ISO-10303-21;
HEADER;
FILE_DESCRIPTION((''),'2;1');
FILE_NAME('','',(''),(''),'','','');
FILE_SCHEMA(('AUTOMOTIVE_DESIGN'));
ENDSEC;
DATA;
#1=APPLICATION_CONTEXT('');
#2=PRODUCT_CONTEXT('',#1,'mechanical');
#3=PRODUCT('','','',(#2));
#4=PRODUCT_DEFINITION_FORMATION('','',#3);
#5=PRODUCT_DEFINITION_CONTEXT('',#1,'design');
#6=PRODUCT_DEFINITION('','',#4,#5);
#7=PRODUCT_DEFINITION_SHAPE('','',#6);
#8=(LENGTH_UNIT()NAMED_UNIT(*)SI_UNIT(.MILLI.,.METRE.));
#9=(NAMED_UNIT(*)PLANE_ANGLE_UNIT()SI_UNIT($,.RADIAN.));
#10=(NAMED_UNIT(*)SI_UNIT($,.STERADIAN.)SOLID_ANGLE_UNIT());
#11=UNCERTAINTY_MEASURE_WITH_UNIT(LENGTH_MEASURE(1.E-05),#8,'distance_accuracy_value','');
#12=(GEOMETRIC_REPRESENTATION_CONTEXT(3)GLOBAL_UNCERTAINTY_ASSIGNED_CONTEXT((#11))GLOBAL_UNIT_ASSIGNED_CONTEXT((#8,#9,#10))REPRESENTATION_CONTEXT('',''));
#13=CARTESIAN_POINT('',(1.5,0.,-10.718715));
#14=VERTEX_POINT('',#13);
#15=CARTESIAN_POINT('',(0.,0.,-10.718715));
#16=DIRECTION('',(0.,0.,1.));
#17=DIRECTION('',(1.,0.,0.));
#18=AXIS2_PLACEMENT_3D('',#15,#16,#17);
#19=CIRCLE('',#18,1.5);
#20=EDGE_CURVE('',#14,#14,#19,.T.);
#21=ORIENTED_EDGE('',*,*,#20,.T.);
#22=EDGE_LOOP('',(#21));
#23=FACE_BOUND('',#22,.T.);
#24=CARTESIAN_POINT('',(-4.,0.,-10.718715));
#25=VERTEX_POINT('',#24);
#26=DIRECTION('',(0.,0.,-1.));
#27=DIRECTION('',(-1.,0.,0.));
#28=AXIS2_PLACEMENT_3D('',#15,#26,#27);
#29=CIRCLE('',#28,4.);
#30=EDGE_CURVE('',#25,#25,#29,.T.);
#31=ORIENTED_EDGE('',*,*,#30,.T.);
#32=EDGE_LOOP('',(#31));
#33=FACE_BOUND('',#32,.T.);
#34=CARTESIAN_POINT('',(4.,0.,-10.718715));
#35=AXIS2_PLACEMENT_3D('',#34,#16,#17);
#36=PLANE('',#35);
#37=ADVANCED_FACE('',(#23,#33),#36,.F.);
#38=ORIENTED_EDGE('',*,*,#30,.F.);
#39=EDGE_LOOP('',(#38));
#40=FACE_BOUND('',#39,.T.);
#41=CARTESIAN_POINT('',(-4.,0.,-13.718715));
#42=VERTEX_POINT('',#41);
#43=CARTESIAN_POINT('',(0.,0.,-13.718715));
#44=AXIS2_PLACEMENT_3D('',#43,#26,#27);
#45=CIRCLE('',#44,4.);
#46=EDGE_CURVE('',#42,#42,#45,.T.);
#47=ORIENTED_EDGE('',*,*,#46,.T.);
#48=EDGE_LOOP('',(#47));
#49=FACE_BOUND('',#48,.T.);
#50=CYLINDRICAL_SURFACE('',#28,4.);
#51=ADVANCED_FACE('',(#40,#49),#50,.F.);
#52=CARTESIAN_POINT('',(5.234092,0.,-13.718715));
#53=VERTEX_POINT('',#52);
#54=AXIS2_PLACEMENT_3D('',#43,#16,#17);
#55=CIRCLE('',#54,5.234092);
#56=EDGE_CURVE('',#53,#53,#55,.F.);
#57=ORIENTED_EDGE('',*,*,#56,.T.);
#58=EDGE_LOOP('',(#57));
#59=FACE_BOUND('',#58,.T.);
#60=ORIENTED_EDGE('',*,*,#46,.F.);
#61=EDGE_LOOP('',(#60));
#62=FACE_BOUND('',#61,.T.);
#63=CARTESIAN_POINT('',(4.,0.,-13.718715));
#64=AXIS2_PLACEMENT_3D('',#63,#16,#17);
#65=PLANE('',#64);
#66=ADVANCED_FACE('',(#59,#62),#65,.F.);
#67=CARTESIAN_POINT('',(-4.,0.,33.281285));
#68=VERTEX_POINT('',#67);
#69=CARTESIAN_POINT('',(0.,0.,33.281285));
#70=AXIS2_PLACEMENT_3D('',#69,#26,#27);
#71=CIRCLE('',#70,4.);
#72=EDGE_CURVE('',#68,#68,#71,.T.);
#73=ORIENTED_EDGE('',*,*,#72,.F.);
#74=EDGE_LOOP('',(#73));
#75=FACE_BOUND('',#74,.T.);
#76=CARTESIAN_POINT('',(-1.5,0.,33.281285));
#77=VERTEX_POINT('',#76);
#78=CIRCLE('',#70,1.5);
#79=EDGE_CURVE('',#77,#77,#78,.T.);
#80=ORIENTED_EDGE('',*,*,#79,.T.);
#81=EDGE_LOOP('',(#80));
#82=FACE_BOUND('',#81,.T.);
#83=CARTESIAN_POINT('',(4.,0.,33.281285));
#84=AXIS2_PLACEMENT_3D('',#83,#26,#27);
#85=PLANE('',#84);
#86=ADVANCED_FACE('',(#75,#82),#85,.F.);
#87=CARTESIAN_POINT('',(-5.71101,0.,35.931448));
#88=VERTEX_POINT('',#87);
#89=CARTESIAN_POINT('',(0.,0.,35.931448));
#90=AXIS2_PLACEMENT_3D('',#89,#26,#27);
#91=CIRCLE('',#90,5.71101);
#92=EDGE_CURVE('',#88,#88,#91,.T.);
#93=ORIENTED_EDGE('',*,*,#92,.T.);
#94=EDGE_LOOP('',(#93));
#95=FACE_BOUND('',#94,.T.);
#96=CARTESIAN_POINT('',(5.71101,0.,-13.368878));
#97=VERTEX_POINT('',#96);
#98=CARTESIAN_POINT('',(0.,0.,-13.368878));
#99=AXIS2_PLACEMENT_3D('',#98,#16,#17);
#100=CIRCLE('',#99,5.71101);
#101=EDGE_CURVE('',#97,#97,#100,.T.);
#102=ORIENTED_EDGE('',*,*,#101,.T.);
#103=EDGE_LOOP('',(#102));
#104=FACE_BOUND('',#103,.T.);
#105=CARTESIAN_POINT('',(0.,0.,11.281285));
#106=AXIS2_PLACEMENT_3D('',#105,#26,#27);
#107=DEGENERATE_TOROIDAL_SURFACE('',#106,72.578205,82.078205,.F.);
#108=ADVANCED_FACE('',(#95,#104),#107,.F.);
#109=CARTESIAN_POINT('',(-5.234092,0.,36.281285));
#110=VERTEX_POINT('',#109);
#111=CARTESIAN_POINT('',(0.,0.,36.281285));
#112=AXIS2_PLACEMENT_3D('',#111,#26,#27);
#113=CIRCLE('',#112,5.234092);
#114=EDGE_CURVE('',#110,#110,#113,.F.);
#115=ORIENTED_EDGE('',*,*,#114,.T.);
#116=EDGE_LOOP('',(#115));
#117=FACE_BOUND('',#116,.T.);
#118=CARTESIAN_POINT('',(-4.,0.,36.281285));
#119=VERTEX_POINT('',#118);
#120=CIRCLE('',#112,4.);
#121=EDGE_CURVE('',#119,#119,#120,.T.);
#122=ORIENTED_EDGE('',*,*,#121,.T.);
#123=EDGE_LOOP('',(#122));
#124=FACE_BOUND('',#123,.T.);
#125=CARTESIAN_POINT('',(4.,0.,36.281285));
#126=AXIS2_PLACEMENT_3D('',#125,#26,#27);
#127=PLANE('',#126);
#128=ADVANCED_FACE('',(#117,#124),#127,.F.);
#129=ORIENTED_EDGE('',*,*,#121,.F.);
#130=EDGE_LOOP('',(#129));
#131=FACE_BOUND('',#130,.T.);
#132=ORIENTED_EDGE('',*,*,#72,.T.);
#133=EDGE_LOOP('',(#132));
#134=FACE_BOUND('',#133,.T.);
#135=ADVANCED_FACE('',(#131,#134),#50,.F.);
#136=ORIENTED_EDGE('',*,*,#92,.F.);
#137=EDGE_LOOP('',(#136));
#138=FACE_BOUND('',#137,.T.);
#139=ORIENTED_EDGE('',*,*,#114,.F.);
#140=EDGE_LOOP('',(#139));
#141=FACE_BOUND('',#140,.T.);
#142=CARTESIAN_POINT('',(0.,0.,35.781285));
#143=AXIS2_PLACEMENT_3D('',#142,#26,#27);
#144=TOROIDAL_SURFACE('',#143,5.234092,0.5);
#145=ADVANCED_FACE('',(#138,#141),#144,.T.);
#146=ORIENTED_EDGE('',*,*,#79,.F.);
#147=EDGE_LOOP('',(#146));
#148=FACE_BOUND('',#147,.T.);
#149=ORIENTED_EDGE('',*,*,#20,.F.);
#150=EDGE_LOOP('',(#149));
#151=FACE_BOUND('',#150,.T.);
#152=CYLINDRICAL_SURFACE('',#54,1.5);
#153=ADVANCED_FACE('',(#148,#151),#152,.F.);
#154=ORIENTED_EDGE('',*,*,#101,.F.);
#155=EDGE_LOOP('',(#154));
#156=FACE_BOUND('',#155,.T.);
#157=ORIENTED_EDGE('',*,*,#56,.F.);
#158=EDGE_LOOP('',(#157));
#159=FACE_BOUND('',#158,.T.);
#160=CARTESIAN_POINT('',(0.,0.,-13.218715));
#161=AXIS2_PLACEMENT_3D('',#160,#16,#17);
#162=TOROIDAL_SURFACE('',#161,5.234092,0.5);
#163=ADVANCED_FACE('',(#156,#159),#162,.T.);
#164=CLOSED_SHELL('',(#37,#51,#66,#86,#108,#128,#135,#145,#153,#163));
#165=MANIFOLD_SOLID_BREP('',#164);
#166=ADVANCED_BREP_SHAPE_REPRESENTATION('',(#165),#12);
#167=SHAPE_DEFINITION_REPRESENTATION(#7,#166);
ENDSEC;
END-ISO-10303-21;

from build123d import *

# Parameters (mm, degrees)
SKETCH2_R          = 1.5
CUT_EXTRUDE1_DEPTH = 52.773545502
FILLET1_R          = 0.5


with BuildPart() as part:
    # Sketch1 → Revolve1 (revolve)
    with BuildSketch(Plane(origin=(0, 0, 0), x_dir=(1, 0, 0), z_dir=(0, 1, 0)), mode=Mode.PRIVATE) as revolve1_sk:
        with BuildLine():
            Line((0, 10.718714919), (0, -33.281285081))
            Line((0, -33.281285081), (4, -33.281285081))
            Line((4, -33.281285081), (4, -36.281285081))
            Line((4, -36.281285081), (5.6, -36.281285081))
            ThreePointArc((5.6, -36.281285081), (9.5, -11.281285081), (5.6, 13.718714919))
            Line((5.6, 13.718714919), (4, 13.718714919))
            Line((4, 13.718714919), (4, 10.718714919))
            Line((4, 10.718714919), (0, 10.718714919))
        make_face()
    revolve(revolve1_sk.sketch.rotate(Axis((0, 0, -10.718714919), (0, 0, 1)), 180), axis=Axis((0, 0, -10.718714919), (0, 0, 1)))

    # Sketch2 → Cut-Extrude1 (cut, through all)
    with BuildSketch(Plane.XY.offset(36.281285081)):
        Circle(SKETCH2_R)
    extrude(amount=-CUT_EXTRUDE1_DEPTH, mode=Mode.SUBTRACT)

    # Fillet1
    fillet1_edges = [part.edges().sort_by_distance(p)[0] for p in [
        (5.6, 0, -13.718714919),
        (5.6, 0, 36.281285081),
    ]]
    fillet(fillet1_edges, radius=FILLET1_R)


solid = part.part
